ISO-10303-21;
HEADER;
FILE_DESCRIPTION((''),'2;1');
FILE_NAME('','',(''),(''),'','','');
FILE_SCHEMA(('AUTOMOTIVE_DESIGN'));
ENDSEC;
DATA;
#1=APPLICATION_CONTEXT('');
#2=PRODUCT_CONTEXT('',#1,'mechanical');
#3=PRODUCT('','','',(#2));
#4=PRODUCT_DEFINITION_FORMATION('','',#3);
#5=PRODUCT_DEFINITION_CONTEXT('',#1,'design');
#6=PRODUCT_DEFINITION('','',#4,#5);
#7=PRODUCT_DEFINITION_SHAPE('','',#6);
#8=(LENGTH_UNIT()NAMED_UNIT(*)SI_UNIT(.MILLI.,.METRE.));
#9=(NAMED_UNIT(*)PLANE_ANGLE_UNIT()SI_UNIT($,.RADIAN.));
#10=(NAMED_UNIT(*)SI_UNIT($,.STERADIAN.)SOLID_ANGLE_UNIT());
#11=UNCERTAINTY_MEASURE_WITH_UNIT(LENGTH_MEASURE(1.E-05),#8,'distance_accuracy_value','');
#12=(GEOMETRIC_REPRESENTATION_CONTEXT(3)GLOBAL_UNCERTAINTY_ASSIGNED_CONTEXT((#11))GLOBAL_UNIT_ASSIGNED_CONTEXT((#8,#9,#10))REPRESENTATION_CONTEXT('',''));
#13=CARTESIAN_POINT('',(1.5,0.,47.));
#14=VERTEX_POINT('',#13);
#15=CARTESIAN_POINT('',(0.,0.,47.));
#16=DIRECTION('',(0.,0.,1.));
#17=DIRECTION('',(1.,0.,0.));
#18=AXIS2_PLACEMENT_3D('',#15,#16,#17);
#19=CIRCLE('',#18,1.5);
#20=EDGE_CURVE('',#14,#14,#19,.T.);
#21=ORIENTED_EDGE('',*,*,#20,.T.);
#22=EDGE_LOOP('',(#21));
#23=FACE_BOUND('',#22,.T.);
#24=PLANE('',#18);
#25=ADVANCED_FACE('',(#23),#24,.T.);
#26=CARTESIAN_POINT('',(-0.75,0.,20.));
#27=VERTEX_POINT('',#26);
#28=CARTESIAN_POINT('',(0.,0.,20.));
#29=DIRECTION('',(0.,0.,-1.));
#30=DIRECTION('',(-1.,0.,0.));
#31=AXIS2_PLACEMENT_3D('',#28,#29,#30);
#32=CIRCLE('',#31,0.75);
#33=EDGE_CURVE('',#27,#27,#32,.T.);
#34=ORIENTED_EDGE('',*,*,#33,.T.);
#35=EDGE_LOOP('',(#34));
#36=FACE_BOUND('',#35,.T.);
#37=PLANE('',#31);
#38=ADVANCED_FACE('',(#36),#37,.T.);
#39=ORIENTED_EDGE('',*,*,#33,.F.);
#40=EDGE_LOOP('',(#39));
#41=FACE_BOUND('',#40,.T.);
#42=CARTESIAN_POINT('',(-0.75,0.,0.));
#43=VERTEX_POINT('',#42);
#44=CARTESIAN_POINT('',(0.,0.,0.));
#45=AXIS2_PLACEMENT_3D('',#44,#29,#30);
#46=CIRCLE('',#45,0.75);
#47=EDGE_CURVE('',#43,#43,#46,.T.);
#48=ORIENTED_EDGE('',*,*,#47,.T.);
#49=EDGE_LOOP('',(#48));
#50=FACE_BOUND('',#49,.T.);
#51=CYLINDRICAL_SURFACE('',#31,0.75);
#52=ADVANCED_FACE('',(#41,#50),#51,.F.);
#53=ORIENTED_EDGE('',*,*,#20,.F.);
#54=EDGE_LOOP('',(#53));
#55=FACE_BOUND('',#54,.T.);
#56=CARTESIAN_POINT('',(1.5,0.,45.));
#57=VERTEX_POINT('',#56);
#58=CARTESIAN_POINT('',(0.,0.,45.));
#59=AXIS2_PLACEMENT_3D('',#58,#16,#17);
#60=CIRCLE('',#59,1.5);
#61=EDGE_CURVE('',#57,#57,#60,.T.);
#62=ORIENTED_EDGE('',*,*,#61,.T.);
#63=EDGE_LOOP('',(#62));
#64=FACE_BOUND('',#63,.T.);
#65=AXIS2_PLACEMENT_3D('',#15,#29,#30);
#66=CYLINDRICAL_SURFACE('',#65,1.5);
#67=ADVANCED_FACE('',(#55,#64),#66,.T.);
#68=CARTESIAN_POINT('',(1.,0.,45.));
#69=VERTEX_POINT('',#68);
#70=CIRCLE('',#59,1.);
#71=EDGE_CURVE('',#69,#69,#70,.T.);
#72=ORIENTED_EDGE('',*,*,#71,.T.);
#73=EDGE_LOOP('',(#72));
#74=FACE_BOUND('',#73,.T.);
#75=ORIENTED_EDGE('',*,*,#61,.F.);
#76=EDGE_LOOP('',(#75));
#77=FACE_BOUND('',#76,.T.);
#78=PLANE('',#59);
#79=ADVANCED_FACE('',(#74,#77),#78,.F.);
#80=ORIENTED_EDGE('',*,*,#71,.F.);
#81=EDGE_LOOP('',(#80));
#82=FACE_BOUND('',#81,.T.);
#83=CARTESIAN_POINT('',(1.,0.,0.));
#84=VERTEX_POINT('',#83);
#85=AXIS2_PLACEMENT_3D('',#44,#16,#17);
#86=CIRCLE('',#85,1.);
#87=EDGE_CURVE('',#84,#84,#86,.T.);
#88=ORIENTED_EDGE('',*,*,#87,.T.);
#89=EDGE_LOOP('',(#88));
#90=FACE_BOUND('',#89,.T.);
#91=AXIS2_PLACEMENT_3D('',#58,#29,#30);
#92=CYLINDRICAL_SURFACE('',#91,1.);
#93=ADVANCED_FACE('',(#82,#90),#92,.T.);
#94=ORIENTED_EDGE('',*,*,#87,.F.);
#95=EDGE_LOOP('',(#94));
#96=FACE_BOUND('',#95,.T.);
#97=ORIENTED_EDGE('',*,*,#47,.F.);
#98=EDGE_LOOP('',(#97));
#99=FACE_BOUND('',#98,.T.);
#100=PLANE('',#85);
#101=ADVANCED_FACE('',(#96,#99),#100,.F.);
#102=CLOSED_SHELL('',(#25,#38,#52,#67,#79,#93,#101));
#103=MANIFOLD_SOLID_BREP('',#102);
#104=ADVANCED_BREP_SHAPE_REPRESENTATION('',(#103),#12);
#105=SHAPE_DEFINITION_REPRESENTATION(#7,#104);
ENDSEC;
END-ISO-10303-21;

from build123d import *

# Parameters (mm, degrees)
SKETCH_1_R          = 1
EXTRUDE_1_DEPTH     = 45
SKETCH_2_R          = 1.5
EXTRUDE_2_DEPTH     = 2
SKETCH_3_R          = 0.75
CUT_EXTRUDE_1_DEPTH = 20


with BuildPart() as part:
    # 草圖1 → 填料-伸長1 (new body)
    with BuildSketch(Plane.XY):
        Circle(SKETCH_1_R)
    extrude(amount=EXTRUDE_1_DEPTH)

    # 草圖2 → 填料-伸長2 (add)
    with BuildSketch(Plane.XY.offset(45)):
        Circle(SKETCH_2_R)
    extrude(amount=EXTRUDE_2_DEPTH)

    # 草圖3 → 除料-伸長1 (cut)
    with BuildSketch(Plane(origin=(0, 0, 0), x_dir=(-1, 0, 0), z_dir=(0, 0, -1))):
        Circle(SKETCH_3_R)
    extrude(amount=-CUT_EXTRUDE_1_DEPTH, mode=Mode.SUBTRACT)


solid = part.part
